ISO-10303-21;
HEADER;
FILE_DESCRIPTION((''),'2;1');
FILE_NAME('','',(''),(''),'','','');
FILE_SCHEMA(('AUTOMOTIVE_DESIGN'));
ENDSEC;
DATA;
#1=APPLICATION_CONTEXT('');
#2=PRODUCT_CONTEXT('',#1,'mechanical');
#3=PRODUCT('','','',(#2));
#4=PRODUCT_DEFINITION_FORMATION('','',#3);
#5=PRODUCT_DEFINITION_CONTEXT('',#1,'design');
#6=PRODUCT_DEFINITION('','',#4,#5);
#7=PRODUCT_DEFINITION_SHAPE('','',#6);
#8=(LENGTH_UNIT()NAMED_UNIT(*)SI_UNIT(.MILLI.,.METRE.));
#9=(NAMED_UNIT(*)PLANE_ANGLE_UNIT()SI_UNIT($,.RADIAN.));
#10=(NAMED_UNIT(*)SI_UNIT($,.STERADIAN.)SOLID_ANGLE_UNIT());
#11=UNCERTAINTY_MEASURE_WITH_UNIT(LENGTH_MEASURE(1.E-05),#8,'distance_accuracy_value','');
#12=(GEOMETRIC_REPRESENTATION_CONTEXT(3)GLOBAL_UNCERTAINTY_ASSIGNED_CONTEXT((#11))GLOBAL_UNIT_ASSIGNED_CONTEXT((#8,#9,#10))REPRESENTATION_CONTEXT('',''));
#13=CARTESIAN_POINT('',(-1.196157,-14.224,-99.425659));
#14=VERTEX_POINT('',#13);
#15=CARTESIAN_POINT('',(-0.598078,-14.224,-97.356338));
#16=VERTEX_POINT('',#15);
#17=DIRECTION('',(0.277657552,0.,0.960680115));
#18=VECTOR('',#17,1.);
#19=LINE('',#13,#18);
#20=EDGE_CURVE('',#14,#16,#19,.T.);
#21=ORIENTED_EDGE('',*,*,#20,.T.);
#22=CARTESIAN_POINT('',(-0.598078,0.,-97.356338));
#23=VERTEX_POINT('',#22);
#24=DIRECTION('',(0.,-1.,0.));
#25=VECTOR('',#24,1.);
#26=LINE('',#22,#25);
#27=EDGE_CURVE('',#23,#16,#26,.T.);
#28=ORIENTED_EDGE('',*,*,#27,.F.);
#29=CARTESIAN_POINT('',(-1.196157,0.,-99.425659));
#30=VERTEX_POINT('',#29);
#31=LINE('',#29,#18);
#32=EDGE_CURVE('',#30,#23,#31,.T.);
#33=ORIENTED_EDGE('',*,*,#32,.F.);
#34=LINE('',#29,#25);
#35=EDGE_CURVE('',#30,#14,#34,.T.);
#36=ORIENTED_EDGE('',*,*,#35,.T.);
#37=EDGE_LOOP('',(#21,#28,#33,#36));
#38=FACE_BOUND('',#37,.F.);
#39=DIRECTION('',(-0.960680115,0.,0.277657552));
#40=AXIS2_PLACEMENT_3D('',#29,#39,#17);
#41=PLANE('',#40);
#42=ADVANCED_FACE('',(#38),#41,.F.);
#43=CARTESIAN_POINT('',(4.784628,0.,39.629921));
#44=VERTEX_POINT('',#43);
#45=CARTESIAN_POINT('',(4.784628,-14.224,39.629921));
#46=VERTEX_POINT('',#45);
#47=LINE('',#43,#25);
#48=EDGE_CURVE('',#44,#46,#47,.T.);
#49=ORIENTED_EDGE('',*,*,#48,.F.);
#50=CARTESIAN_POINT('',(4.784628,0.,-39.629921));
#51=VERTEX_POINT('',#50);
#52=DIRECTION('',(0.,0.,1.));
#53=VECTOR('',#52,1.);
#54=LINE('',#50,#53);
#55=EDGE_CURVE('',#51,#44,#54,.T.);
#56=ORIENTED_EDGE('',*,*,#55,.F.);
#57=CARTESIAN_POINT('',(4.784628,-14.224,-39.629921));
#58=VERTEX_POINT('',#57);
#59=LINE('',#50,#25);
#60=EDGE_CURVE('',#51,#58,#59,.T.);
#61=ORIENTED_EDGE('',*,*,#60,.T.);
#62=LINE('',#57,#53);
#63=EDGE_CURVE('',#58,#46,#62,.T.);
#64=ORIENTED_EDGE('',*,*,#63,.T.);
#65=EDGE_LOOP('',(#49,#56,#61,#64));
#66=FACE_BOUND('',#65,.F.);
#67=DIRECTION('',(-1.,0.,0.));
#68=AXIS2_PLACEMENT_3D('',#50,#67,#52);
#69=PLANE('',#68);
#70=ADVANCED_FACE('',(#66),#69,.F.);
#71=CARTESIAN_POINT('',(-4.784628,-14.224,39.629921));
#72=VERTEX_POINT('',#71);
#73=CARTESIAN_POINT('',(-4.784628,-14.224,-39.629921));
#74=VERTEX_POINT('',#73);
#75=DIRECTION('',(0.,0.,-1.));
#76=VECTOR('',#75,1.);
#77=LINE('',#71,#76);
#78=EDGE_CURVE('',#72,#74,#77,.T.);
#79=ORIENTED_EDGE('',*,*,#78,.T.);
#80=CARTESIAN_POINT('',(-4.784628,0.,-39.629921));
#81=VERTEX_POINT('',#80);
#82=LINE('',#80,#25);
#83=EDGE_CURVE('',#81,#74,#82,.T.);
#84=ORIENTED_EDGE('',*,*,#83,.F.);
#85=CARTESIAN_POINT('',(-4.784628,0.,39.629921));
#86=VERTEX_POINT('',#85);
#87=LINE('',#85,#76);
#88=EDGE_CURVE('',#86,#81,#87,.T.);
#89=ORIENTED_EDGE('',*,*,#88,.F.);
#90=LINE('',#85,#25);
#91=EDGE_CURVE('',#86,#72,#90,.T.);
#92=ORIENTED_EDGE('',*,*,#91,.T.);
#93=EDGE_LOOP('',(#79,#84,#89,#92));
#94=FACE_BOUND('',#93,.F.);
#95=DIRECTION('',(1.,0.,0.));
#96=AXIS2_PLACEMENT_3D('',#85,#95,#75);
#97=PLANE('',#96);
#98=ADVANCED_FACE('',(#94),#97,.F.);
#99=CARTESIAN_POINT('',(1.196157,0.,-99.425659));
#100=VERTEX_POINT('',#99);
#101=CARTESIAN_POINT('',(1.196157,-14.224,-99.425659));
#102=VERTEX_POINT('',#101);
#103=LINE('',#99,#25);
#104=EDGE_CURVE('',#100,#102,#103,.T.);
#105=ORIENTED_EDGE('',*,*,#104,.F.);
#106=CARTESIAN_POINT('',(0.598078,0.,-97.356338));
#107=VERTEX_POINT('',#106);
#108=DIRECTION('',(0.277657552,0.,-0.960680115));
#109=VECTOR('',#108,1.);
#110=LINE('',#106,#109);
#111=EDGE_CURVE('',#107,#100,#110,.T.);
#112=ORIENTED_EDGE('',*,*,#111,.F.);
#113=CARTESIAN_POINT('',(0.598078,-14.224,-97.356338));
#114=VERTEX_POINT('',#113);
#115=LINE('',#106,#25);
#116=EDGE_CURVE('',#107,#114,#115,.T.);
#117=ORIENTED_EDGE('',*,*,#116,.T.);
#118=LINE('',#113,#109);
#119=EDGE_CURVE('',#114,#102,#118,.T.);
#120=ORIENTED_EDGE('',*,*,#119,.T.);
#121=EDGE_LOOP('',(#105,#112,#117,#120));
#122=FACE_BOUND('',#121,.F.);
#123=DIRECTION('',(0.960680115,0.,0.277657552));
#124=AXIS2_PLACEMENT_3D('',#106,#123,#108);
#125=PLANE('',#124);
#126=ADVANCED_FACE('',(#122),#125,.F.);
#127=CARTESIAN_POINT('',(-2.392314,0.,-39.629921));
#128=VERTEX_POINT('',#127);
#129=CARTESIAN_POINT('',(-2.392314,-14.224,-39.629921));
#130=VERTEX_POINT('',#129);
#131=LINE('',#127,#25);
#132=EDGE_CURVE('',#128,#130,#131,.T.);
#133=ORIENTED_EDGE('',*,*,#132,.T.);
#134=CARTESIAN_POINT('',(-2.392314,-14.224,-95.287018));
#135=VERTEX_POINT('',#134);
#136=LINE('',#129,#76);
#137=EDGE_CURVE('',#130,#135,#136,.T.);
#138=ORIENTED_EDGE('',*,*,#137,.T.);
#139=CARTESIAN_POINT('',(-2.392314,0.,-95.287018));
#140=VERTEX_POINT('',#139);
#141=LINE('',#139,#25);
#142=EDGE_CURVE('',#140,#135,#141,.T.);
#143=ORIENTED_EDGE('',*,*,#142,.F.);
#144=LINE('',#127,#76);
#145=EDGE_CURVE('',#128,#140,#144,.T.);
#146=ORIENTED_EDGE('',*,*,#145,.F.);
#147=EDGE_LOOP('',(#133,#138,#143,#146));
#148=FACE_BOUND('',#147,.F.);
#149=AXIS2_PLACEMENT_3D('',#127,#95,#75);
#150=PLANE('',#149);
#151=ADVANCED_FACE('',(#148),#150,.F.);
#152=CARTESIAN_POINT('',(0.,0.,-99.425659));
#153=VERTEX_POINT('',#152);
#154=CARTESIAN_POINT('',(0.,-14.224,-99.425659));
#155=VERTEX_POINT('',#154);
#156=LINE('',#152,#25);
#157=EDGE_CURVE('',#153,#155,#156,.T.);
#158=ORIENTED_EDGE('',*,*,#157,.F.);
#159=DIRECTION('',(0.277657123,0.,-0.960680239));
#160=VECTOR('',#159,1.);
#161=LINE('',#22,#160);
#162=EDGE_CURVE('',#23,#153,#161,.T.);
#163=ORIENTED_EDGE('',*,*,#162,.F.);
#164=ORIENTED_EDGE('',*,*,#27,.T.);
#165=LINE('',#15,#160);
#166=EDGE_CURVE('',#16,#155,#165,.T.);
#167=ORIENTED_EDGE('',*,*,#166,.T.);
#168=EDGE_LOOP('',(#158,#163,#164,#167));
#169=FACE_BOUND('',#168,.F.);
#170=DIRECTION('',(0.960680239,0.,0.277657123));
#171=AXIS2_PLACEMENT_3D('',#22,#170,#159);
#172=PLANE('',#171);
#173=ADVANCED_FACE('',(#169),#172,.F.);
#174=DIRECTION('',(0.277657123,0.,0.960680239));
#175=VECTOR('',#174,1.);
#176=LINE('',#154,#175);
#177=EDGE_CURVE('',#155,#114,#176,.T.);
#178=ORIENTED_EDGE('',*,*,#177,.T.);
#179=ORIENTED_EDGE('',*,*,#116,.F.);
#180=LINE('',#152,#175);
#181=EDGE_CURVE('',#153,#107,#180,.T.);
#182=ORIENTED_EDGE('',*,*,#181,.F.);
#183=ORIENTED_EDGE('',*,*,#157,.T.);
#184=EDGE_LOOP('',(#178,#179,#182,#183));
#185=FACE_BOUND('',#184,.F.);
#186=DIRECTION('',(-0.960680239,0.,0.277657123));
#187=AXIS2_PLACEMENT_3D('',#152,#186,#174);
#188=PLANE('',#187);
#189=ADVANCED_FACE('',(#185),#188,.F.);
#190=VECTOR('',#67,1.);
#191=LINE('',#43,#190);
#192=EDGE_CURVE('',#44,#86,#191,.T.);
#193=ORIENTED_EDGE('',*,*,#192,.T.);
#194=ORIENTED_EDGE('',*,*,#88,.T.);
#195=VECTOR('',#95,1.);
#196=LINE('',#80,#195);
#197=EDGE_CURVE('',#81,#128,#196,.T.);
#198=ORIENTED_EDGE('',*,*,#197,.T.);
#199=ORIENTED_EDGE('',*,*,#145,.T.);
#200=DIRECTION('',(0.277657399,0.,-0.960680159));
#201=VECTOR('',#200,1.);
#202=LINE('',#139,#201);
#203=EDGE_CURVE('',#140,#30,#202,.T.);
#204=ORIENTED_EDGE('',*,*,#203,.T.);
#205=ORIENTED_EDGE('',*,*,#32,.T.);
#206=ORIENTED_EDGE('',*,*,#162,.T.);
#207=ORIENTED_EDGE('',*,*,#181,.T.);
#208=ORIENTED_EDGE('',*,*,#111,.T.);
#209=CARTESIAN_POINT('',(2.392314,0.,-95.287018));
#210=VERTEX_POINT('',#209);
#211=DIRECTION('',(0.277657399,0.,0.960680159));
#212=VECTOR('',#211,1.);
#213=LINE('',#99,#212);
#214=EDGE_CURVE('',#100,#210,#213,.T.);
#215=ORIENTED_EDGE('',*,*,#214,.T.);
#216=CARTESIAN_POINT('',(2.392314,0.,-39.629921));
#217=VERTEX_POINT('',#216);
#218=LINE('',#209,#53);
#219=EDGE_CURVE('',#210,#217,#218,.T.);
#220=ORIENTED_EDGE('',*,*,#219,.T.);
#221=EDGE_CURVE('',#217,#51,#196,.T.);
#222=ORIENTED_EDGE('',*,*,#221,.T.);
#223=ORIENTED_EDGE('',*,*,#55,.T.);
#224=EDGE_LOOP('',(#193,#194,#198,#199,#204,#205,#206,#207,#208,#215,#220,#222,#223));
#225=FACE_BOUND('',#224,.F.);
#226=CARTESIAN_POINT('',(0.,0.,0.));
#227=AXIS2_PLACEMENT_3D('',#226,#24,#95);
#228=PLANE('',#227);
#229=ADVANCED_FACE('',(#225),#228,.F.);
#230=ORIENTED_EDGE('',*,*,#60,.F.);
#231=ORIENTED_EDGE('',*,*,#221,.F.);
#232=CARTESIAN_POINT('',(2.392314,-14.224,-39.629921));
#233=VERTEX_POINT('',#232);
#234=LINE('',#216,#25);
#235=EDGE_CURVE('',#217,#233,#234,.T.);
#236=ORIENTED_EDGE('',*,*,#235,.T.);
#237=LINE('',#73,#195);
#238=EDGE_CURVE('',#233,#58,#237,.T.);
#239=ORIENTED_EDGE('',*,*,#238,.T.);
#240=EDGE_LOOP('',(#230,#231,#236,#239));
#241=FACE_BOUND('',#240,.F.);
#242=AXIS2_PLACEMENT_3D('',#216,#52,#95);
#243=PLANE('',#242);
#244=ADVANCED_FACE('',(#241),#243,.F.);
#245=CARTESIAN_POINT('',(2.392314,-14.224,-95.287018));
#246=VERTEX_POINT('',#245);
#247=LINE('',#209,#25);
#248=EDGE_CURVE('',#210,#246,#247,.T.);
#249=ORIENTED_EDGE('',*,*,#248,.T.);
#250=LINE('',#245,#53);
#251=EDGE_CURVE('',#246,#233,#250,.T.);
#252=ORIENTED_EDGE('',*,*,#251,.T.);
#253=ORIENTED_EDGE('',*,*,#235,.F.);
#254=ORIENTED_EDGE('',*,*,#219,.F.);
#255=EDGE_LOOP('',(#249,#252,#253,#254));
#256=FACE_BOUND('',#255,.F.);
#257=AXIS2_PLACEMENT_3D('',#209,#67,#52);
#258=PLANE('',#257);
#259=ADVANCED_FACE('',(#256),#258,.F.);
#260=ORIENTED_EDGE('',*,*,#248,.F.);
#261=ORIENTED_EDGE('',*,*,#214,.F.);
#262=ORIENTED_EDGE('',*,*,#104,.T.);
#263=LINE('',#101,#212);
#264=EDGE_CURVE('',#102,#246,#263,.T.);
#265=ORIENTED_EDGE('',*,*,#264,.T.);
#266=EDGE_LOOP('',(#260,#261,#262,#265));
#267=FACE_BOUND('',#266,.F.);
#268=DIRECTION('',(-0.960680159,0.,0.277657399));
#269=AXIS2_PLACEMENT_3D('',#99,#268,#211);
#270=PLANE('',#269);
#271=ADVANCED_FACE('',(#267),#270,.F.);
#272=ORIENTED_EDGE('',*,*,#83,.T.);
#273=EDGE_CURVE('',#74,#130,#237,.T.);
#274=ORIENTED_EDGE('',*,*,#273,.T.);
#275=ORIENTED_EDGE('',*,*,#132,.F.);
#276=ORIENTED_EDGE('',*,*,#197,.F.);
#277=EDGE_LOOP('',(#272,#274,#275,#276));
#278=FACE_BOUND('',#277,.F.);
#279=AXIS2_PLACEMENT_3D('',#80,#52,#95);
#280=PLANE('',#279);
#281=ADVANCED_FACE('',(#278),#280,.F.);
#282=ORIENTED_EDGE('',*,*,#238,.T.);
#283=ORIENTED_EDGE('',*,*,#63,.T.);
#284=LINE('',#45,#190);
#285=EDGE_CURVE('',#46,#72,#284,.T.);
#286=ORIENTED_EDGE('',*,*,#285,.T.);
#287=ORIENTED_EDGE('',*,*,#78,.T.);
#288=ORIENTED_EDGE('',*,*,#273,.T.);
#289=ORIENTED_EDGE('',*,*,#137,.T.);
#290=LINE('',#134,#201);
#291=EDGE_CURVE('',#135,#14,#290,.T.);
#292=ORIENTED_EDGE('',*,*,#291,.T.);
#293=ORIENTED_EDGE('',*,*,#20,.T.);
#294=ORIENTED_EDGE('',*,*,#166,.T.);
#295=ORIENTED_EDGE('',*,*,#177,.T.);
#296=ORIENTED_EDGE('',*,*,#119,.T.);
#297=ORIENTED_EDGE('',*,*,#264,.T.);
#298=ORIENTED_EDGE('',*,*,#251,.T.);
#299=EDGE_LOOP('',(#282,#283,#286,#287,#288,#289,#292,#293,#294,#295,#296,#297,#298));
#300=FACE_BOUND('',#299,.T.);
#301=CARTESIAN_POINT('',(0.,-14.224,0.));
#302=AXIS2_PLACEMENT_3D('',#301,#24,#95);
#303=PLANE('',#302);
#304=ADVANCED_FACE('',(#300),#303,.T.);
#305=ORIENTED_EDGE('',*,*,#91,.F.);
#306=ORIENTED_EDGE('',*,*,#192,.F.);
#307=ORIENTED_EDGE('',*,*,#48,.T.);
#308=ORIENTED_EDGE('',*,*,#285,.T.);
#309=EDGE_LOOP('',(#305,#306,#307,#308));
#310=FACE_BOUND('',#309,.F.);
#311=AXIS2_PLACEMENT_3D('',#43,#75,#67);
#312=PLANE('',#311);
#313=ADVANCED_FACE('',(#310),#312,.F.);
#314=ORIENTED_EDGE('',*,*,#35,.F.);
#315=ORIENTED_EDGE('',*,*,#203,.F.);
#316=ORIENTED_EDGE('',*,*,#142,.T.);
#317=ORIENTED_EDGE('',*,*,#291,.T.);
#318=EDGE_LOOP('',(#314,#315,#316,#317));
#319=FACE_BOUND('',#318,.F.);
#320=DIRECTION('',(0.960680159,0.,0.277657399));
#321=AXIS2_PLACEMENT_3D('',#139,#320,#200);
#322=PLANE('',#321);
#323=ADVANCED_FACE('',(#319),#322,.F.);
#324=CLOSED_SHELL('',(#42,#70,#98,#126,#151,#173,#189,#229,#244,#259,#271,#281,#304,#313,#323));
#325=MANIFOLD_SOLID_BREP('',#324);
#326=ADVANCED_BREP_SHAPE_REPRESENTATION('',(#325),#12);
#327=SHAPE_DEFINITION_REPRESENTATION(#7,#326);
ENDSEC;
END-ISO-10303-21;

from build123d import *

# Parameters (mm, degrees)
F1_DEPTH = 14.224


with BuildPart() as f1:
    # F0 (on Front) → F1 (new body)
    with BuildSketch(Plane.XZ):
        Polygon((4.784628, 39.629921), (-4.784628, 39.629921), (-4.784628, -39.629921), (-2.392314, -39.629921), (0, -39.629921), (2.392314, -39.629921), (4.784628, -39.629921), align=None)
        Polygon((0, -39.629921), (-2.392314, -39.629921), (-2.392314, -95.287018), (-1.196157, -99.425659), (-0.598078, -97.356338), (0, -95.287018), (0.598078, -97.356338), (1.196157, -99.425659), (2.392314, -95.287018), (2.392314, -39.629921), align=None)
        Polygon((0, -95.287018), (-0.598078, -97.356338), (0, -99.425659), (0.598078, -97.356338), align=None)
    extrude(amount=F1_DEPTH)


solid = f1.part
